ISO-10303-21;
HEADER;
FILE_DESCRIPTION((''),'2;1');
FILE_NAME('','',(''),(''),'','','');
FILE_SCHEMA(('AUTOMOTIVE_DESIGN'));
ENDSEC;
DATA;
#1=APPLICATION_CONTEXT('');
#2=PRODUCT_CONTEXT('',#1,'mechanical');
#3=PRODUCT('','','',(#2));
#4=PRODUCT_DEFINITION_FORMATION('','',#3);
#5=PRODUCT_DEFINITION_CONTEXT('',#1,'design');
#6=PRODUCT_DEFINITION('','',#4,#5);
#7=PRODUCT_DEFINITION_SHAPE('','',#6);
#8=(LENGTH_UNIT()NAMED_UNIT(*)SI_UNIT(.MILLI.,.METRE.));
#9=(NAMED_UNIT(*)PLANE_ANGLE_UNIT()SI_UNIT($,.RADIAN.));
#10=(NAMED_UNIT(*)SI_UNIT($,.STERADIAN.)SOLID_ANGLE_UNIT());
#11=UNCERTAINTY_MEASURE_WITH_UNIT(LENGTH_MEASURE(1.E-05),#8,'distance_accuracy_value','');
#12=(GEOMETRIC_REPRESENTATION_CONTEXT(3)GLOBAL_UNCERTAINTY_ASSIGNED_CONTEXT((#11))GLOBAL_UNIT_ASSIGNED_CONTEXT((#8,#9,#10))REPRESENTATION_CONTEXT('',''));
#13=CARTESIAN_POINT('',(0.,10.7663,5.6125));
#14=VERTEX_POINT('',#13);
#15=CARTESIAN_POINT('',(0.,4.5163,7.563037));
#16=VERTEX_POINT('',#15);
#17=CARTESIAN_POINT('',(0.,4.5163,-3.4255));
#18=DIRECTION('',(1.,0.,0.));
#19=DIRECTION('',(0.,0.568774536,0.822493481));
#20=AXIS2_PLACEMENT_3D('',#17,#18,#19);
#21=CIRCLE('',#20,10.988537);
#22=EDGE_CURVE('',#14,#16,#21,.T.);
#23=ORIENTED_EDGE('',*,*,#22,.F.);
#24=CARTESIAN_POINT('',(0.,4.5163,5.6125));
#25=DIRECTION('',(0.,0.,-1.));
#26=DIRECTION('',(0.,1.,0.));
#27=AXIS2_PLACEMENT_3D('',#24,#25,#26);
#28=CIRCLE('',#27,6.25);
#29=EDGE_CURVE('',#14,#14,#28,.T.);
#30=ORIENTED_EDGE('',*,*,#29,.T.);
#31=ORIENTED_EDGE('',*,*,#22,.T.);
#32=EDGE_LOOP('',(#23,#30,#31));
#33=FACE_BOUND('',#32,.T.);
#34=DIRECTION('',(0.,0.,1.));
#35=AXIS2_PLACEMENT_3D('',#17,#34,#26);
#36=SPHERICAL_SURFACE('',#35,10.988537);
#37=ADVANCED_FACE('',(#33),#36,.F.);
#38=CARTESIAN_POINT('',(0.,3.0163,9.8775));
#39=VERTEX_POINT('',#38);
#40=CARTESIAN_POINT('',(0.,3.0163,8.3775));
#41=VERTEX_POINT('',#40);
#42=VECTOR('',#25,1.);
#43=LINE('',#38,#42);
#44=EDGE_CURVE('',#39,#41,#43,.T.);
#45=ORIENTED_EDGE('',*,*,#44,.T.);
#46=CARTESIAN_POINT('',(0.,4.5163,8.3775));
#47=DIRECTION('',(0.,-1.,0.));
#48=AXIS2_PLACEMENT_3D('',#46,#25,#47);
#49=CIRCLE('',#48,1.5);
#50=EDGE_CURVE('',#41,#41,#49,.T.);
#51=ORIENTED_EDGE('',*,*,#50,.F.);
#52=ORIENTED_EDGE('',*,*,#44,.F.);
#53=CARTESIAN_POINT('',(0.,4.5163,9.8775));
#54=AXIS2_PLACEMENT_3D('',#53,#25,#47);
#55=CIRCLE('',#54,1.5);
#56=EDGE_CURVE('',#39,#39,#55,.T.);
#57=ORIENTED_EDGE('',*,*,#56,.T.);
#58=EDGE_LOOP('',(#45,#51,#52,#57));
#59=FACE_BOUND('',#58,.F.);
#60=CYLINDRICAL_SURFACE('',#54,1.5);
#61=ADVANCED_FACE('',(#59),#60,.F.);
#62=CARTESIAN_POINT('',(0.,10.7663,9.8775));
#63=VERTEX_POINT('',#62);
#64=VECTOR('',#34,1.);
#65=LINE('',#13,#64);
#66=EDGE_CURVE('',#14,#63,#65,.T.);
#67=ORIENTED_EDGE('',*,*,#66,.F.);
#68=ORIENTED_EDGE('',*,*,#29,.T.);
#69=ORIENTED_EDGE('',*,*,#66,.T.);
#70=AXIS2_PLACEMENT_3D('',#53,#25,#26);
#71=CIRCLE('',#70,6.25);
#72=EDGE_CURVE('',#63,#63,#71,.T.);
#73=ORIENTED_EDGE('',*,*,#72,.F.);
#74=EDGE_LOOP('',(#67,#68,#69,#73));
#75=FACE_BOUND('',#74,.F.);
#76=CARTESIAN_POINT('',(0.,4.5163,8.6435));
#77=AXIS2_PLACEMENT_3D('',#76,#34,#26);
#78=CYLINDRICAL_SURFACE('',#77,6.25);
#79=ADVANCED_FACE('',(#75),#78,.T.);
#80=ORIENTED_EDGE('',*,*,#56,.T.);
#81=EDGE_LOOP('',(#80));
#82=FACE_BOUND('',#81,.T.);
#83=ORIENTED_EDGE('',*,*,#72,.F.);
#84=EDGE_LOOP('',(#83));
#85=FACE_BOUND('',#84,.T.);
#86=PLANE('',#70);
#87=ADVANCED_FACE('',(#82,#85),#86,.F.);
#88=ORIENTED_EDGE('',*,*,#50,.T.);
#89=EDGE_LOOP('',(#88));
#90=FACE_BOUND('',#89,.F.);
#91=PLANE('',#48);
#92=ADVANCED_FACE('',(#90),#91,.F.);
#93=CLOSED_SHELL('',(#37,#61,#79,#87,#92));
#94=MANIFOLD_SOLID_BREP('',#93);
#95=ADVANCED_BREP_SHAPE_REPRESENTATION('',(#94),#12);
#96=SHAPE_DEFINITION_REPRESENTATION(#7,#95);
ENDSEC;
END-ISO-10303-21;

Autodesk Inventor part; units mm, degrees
ref_plane "YZ Plane" through (0, 0, 0) normal (1, 0, 0) x (0, 1, 0)
ref_plane "XZ Plane" through (0, 0, 0) normal (0, 1, 0) x (-1, 0, 0)
ref_plane "XY Plane" through (0, 0, 0) normal (0, 0, 1) x (1, 0, 0)
sketch "Sketch1" plane through (0, 0, 0) normal (1, 0, 0) x (0, 1, 0)
  line L0 (-1.7337, 8.6435) -> (-1.7337, 9.8775)
  line L1 (-1.7337, 9.8775) -> (10.7663, 9.8775)
  line L2 (10.7663, 8.6435) -> (10.7663, 9.8775)
  line L3 (-1.7337, 5.6125) -> (10.7663, 5.6125)
  line L4 (-1.7337, 9.8775) -> (-1.7337, 5.6125)
  line L5 (10.7663, 9.8775) -> (10.7663, 5.6125)
  arc A0 (10.7663, 5.6125) -> (-1.7337, 5.6125) centre (4.5163, -3.4255) ccw
  line L6 (4.5163, 9.8775) -> (4.5163, 5.6125)
  point P0 (0, 0)
  point P1 (4.5163, 7.5631)
revolve "Revolution1" add sketch "Sketch1" angle 360 about axis through (0, 4.5163, 9.8775) along (0, 0, -1) contours L1 L2 L5 A0 L6
sketch "Sketch2" plane through (0, 4.5163, 9.8775) normal (0, 0, 1) x (1, 0, 0)
  circle A0 centre (0, 0) radius 1.5
  point P0 (0, -4.5163)
  dimension "d1" = 3
hole "Hole1" at (0, 4.5163, 9.8775) direction (0, 0, -1) diameter 3 depth 1.5
properties part number "Back Cover seal"
